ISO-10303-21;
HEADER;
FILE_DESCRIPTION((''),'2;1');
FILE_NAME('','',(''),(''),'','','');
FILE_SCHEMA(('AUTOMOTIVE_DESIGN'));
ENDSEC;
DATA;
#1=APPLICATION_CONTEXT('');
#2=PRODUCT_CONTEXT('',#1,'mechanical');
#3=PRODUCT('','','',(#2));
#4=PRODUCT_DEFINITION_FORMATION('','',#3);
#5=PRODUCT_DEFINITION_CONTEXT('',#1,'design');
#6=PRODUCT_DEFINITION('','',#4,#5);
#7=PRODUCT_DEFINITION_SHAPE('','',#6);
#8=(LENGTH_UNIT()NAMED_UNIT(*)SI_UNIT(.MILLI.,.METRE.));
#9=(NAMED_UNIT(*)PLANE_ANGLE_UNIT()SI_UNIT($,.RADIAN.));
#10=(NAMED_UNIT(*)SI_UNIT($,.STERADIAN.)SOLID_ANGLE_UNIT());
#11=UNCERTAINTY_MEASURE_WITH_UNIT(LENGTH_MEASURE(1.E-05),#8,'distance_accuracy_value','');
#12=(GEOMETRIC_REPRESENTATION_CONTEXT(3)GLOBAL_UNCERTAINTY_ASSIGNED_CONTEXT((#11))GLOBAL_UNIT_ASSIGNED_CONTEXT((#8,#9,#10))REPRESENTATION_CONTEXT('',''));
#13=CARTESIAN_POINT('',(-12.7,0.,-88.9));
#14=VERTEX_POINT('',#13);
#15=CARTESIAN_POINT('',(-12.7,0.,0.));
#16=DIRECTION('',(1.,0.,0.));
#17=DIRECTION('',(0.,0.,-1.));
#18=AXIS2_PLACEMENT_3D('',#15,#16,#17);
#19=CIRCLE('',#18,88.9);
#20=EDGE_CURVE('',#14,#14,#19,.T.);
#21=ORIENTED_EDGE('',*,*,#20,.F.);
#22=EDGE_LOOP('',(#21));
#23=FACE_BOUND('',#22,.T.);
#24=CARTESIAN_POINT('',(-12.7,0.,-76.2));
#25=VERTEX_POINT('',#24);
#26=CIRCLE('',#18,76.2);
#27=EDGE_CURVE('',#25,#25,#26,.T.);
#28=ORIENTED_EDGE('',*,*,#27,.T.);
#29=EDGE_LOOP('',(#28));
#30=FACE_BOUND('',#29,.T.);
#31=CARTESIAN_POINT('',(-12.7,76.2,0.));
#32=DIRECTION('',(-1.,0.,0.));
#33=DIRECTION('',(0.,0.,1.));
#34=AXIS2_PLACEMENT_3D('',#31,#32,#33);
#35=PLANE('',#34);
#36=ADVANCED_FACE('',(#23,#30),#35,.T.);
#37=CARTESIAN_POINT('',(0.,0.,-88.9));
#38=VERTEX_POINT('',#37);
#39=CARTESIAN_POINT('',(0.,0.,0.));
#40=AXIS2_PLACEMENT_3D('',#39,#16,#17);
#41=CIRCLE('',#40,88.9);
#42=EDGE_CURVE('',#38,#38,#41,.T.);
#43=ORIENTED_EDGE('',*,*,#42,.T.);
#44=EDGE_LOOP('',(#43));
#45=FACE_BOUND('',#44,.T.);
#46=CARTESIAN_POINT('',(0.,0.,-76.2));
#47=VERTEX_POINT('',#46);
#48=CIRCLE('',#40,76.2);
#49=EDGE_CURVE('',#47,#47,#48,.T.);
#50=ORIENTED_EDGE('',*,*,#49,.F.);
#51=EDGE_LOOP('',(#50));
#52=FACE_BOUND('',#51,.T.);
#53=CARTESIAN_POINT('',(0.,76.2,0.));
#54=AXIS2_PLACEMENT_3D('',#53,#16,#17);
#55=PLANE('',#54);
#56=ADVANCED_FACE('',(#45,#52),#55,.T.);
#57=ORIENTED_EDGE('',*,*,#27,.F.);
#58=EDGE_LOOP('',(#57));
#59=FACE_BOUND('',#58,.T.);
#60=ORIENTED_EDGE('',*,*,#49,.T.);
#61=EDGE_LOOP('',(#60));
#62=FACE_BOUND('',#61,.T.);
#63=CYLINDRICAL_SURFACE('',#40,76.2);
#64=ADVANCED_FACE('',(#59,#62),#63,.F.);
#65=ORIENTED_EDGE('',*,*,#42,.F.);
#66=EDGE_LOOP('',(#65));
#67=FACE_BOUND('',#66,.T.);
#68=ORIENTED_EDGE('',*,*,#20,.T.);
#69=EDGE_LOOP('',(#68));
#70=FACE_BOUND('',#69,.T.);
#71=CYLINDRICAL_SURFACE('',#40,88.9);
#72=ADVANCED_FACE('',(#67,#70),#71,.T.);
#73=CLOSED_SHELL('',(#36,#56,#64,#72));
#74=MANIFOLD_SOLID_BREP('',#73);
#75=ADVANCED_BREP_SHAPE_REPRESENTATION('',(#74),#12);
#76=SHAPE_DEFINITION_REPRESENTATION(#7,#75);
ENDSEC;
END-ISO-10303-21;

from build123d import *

# Parameters (mm, degrees)
SKETCH1_W = 12.7
SKETCH1_H = 12.7


with BuildPart() as part:
    # Sketch1 → Revolve1 (revolve)
    with BuildSketch(Plane.XY, mode=Mode.PRIVATE) as revolve1_sk:
        with Locations((-6.35, 82.55)):
            Rectangle(SKETCH1_W, SKETCH1_H)
    revolve(revolve1_sk.sketch.rotate(Axis((0, 0, 0), (-1, 0, 0)), 90), axis=Axis((0, 0, 0), (-1, 0, 0)))


solid = part.part
